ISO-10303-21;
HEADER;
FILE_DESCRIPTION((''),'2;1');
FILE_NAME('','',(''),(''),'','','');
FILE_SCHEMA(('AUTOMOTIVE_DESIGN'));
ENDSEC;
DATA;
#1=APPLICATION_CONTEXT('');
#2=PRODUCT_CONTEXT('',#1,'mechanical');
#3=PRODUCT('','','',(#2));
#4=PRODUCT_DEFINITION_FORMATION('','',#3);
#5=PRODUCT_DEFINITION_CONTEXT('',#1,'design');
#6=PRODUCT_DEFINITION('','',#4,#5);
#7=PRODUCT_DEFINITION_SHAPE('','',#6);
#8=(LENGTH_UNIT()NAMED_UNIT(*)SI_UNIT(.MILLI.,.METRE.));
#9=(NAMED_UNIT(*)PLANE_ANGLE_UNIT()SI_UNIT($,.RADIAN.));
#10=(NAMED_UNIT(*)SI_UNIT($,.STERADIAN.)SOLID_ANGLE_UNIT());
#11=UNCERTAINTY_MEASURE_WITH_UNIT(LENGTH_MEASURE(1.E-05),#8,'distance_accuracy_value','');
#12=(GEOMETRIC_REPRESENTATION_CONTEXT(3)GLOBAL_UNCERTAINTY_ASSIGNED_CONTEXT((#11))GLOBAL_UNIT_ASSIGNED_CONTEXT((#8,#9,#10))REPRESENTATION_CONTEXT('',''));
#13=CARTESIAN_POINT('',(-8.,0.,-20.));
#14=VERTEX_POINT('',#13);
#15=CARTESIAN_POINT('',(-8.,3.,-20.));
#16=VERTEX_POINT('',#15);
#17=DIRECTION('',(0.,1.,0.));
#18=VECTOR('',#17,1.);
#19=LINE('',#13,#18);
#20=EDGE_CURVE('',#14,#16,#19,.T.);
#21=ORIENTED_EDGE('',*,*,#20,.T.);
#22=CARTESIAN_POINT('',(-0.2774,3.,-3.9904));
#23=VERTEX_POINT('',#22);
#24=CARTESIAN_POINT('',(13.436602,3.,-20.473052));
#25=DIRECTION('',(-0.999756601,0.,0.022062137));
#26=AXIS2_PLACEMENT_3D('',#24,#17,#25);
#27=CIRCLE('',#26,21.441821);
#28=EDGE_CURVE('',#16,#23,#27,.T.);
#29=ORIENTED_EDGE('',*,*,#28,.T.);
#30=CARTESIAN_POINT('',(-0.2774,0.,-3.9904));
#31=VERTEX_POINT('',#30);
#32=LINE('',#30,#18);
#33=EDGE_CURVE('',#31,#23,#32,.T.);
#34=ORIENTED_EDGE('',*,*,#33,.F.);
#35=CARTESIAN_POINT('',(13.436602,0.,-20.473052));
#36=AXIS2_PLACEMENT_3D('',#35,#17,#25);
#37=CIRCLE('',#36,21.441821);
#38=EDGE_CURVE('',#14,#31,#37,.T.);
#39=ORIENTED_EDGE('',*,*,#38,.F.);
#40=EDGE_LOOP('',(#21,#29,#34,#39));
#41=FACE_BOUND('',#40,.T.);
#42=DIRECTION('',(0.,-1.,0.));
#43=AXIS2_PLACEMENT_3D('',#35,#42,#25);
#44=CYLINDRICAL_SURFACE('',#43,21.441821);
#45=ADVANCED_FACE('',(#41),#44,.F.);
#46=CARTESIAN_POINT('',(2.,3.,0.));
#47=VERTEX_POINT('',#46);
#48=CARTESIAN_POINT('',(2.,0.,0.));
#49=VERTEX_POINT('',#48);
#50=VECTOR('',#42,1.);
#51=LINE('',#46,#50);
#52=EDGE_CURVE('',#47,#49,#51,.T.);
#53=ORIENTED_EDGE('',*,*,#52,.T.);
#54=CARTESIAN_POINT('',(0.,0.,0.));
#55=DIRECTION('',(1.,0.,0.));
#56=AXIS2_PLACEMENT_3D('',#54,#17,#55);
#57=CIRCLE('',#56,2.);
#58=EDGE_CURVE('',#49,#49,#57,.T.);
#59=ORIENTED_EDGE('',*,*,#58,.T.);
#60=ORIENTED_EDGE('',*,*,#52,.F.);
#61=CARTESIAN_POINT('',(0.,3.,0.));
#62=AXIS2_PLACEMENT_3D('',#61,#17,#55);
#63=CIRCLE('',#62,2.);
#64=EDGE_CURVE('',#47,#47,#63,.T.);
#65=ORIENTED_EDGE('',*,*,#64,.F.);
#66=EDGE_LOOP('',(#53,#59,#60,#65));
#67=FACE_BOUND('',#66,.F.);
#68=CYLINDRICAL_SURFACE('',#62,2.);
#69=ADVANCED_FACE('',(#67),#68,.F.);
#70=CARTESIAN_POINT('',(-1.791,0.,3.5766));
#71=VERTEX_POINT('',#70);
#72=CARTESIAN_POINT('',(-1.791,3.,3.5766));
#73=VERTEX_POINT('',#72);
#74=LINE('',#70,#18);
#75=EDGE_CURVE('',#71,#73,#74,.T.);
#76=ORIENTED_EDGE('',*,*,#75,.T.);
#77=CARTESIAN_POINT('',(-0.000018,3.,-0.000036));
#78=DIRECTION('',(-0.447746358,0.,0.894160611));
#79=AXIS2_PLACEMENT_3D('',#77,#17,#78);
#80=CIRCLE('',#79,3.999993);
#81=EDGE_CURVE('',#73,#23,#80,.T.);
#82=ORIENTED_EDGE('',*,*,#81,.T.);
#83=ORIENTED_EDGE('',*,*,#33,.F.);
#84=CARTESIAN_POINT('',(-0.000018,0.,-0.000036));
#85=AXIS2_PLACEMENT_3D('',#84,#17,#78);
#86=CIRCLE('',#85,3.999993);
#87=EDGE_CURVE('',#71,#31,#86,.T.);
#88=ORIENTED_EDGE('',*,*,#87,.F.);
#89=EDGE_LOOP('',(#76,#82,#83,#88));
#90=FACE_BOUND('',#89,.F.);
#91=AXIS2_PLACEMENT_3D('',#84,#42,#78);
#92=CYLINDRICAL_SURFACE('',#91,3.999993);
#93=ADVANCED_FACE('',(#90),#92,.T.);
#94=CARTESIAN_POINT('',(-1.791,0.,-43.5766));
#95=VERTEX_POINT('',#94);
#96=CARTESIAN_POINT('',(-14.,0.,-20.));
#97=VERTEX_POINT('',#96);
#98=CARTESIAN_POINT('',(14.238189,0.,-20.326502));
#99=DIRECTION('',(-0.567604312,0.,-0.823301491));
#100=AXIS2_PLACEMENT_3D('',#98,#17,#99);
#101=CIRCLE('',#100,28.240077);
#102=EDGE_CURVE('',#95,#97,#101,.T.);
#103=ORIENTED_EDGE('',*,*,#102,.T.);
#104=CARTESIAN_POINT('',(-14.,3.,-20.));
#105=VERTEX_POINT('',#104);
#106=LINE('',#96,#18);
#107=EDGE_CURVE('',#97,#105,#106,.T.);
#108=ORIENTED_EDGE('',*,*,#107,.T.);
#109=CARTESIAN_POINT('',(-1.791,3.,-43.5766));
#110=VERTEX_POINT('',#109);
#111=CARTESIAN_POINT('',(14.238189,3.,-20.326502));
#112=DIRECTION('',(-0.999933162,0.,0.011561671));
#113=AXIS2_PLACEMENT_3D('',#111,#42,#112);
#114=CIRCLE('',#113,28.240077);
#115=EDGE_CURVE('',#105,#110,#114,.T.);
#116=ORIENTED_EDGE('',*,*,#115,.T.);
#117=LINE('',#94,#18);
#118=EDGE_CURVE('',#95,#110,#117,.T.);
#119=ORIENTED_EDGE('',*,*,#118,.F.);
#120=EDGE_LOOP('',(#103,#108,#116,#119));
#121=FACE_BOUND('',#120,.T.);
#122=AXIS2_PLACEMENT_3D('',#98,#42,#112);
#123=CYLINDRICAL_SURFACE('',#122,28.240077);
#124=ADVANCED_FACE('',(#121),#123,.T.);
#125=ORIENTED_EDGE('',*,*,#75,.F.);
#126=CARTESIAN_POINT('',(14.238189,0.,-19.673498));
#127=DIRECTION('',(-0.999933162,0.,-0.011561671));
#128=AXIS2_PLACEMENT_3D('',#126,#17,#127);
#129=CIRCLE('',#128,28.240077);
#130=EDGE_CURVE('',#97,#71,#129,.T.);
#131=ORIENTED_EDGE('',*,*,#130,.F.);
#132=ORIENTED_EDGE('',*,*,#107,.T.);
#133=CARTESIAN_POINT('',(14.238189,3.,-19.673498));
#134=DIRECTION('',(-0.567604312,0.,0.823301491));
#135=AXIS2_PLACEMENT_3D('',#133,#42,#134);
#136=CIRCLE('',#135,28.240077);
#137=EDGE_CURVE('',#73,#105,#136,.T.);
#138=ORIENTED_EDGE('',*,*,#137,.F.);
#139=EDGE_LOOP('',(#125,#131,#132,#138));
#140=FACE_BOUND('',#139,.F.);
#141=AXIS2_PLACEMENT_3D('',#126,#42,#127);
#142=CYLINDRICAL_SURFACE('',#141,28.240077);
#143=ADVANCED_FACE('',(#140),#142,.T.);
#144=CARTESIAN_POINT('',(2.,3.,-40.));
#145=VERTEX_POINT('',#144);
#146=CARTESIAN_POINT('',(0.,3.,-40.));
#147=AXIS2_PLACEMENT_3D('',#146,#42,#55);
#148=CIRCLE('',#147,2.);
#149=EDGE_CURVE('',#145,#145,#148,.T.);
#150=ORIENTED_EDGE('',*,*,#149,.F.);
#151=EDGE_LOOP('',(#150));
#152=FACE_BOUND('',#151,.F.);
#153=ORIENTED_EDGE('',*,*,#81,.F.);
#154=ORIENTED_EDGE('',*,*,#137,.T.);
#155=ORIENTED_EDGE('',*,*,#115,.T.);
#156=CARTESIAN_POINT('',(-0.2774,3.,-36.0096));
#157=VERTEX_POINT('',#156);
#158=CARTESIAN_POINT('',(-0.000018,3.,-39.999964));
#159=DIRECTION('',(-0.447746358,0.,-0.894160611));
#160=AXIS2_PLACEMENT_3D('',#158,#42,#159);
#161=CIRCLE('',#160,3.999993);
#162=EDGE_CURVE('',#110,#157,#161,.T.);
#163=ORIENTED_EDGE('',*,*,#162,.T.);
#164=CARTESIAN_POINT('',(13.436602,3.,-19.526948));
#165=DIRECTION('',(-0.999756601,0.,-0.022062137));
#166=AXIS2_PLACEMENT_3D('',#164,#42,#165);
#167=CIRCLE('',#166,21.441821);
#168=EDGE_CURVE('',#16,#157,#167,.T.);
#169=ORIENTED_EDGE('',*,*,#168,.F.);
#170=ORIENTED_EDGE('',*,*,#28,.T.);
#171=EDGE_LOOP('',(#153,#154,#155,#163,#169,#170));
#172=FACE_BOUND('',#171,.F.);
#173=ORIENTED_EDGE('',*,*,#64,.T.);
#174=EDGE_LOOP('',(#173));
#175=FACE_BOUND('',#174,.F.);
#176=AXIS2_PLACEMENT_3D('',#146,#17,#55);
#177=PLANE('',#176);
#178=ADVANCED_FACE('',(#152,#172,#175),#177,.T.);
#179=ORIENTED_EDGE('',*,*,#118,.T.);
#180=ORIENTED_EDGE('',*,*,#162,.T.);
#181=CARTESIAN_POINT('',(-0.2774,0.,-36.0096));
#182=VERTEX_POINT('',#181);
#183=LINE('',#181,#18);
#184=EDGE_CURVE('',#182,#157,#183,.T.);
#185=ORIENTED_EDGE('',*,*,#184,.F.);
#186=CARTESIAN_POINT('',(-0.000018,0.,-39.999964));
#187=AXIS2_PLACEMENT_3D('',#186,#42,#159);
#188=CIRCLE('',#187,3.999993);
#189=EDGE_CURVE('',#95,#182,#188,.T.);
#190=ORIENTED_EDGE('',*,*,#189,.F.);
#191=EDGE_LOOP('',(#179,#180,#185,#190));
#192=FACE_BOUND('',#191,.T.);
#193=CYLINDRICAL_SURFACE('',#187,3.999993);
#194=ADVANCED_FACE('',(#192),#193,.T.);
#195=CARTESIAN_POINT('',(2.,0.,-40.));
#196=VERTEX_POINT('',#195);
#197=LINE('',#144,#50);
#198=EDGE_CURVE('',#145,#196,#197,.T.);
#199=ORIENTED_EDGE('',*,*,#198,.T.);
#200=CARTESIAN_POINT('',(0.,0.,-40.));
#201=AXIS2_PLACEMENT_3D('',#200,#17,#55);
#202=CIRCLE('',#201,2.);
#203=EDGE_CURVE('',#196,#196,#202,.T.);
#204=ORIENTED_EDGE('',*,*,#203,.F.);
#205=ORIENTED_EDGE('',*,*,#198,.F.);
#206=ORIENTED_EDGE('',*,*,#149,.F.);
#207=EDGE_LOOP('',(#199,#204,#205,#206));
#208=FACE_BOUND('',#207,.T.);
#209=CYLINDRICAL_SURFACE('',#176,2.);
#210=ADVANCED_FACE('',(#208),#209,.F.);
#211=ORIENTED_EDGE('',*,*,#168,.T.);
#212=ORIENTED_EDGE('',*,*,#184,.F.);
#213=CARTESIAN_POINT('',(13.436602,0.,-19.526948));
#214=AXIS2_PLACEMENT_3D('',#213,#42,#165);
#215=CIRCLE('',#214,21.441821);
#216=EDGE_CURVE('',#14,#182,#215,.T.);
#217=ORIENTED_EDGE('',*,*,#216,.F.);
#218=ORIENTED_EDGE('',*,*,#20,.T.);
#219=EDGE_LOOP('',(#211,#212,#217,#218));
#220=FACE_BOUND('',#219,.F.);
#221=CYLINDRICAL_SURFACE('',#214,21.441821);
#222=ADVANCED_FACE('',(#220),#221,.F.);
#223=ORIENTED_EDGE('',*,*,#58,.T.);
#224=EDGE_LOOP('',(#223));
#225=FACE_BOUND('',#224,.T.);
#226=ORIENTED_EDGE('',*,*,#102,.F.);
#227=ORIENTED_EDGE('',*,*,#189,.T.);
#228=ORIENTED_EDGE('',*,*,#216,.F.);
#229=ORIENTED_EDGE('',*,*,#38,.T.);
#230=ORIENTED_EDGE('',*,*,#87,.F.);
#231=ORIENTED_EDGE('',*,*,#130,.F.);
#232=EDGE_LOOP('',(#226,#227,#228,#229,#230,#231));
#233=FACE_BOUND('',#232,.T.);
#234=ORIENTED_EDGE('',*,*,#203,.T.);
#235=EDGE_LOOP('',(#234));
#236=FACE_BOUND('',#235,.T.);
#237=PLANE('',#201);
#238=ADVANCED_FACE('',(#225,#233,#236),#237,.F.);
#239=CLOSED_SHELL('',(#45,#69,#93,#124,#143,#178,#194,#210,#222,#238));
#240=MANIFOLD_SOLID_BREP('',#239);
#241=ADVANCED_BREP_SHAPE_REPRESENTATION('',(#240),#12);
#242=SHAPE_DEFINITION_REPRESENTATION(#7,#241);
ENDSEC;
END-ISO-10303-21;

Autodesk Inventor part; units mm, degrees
ref_plane "YZ Plane" through (0, 0, 0) normal (1, 0, 0) x (0, 1, 0)
ref_plane "XZ Plane" through (0, 0, 0) normal (0, 1, 0) x (-1, 0, 0)
ref_plane "XY Plane" through (0, 0, 0) normal (0, 0, 1) x (1, 0, 0)
sketch "Эскиз3" plane through (0, 0, 0) normal (0, 1, 0) x (-1, 0, 0)
  arc A0 (1.791, 3.5766) -> (0.2774, -3.9904) centre (0, 0) ccw
  arc A1 (14, -20) -> (1.791, 3.5766) centre (-14.2382, -19.6735) ccw
  arc A2 (8, -20) -> (0.2774, -3.9904) centre (-13.4368, -20.4731) ccw
  line L0 (8, -20) -> (14, -20)
  line L1 (0, 0) -> (13.752, 0)
  dimension "d12" = 8
  dimension "d27" = 8
  dimension "d29" = 20
  dimension "d30" = 6
extrude "Выдавливание5" add sketch "Эскиз3" along normal blind 3
sketch "Эскиз5" plane through (0, 3, 0) normal (0, 1, 0) x (1, 0, 0)
  circle A0 centre (0, 0) radius 2
  dimension "d24" = 4
extrude "Выдавливание6" cut sketch "Эскиз5" against normal blind 10
mirror "Зеркальное отражение1" about plane through (-8, 0, -20) normal (0, 0, -1) of "Выдавливание5", "Выдавливание6"
properties part number "000.703 - Тяга" material "Пластик АБС"
